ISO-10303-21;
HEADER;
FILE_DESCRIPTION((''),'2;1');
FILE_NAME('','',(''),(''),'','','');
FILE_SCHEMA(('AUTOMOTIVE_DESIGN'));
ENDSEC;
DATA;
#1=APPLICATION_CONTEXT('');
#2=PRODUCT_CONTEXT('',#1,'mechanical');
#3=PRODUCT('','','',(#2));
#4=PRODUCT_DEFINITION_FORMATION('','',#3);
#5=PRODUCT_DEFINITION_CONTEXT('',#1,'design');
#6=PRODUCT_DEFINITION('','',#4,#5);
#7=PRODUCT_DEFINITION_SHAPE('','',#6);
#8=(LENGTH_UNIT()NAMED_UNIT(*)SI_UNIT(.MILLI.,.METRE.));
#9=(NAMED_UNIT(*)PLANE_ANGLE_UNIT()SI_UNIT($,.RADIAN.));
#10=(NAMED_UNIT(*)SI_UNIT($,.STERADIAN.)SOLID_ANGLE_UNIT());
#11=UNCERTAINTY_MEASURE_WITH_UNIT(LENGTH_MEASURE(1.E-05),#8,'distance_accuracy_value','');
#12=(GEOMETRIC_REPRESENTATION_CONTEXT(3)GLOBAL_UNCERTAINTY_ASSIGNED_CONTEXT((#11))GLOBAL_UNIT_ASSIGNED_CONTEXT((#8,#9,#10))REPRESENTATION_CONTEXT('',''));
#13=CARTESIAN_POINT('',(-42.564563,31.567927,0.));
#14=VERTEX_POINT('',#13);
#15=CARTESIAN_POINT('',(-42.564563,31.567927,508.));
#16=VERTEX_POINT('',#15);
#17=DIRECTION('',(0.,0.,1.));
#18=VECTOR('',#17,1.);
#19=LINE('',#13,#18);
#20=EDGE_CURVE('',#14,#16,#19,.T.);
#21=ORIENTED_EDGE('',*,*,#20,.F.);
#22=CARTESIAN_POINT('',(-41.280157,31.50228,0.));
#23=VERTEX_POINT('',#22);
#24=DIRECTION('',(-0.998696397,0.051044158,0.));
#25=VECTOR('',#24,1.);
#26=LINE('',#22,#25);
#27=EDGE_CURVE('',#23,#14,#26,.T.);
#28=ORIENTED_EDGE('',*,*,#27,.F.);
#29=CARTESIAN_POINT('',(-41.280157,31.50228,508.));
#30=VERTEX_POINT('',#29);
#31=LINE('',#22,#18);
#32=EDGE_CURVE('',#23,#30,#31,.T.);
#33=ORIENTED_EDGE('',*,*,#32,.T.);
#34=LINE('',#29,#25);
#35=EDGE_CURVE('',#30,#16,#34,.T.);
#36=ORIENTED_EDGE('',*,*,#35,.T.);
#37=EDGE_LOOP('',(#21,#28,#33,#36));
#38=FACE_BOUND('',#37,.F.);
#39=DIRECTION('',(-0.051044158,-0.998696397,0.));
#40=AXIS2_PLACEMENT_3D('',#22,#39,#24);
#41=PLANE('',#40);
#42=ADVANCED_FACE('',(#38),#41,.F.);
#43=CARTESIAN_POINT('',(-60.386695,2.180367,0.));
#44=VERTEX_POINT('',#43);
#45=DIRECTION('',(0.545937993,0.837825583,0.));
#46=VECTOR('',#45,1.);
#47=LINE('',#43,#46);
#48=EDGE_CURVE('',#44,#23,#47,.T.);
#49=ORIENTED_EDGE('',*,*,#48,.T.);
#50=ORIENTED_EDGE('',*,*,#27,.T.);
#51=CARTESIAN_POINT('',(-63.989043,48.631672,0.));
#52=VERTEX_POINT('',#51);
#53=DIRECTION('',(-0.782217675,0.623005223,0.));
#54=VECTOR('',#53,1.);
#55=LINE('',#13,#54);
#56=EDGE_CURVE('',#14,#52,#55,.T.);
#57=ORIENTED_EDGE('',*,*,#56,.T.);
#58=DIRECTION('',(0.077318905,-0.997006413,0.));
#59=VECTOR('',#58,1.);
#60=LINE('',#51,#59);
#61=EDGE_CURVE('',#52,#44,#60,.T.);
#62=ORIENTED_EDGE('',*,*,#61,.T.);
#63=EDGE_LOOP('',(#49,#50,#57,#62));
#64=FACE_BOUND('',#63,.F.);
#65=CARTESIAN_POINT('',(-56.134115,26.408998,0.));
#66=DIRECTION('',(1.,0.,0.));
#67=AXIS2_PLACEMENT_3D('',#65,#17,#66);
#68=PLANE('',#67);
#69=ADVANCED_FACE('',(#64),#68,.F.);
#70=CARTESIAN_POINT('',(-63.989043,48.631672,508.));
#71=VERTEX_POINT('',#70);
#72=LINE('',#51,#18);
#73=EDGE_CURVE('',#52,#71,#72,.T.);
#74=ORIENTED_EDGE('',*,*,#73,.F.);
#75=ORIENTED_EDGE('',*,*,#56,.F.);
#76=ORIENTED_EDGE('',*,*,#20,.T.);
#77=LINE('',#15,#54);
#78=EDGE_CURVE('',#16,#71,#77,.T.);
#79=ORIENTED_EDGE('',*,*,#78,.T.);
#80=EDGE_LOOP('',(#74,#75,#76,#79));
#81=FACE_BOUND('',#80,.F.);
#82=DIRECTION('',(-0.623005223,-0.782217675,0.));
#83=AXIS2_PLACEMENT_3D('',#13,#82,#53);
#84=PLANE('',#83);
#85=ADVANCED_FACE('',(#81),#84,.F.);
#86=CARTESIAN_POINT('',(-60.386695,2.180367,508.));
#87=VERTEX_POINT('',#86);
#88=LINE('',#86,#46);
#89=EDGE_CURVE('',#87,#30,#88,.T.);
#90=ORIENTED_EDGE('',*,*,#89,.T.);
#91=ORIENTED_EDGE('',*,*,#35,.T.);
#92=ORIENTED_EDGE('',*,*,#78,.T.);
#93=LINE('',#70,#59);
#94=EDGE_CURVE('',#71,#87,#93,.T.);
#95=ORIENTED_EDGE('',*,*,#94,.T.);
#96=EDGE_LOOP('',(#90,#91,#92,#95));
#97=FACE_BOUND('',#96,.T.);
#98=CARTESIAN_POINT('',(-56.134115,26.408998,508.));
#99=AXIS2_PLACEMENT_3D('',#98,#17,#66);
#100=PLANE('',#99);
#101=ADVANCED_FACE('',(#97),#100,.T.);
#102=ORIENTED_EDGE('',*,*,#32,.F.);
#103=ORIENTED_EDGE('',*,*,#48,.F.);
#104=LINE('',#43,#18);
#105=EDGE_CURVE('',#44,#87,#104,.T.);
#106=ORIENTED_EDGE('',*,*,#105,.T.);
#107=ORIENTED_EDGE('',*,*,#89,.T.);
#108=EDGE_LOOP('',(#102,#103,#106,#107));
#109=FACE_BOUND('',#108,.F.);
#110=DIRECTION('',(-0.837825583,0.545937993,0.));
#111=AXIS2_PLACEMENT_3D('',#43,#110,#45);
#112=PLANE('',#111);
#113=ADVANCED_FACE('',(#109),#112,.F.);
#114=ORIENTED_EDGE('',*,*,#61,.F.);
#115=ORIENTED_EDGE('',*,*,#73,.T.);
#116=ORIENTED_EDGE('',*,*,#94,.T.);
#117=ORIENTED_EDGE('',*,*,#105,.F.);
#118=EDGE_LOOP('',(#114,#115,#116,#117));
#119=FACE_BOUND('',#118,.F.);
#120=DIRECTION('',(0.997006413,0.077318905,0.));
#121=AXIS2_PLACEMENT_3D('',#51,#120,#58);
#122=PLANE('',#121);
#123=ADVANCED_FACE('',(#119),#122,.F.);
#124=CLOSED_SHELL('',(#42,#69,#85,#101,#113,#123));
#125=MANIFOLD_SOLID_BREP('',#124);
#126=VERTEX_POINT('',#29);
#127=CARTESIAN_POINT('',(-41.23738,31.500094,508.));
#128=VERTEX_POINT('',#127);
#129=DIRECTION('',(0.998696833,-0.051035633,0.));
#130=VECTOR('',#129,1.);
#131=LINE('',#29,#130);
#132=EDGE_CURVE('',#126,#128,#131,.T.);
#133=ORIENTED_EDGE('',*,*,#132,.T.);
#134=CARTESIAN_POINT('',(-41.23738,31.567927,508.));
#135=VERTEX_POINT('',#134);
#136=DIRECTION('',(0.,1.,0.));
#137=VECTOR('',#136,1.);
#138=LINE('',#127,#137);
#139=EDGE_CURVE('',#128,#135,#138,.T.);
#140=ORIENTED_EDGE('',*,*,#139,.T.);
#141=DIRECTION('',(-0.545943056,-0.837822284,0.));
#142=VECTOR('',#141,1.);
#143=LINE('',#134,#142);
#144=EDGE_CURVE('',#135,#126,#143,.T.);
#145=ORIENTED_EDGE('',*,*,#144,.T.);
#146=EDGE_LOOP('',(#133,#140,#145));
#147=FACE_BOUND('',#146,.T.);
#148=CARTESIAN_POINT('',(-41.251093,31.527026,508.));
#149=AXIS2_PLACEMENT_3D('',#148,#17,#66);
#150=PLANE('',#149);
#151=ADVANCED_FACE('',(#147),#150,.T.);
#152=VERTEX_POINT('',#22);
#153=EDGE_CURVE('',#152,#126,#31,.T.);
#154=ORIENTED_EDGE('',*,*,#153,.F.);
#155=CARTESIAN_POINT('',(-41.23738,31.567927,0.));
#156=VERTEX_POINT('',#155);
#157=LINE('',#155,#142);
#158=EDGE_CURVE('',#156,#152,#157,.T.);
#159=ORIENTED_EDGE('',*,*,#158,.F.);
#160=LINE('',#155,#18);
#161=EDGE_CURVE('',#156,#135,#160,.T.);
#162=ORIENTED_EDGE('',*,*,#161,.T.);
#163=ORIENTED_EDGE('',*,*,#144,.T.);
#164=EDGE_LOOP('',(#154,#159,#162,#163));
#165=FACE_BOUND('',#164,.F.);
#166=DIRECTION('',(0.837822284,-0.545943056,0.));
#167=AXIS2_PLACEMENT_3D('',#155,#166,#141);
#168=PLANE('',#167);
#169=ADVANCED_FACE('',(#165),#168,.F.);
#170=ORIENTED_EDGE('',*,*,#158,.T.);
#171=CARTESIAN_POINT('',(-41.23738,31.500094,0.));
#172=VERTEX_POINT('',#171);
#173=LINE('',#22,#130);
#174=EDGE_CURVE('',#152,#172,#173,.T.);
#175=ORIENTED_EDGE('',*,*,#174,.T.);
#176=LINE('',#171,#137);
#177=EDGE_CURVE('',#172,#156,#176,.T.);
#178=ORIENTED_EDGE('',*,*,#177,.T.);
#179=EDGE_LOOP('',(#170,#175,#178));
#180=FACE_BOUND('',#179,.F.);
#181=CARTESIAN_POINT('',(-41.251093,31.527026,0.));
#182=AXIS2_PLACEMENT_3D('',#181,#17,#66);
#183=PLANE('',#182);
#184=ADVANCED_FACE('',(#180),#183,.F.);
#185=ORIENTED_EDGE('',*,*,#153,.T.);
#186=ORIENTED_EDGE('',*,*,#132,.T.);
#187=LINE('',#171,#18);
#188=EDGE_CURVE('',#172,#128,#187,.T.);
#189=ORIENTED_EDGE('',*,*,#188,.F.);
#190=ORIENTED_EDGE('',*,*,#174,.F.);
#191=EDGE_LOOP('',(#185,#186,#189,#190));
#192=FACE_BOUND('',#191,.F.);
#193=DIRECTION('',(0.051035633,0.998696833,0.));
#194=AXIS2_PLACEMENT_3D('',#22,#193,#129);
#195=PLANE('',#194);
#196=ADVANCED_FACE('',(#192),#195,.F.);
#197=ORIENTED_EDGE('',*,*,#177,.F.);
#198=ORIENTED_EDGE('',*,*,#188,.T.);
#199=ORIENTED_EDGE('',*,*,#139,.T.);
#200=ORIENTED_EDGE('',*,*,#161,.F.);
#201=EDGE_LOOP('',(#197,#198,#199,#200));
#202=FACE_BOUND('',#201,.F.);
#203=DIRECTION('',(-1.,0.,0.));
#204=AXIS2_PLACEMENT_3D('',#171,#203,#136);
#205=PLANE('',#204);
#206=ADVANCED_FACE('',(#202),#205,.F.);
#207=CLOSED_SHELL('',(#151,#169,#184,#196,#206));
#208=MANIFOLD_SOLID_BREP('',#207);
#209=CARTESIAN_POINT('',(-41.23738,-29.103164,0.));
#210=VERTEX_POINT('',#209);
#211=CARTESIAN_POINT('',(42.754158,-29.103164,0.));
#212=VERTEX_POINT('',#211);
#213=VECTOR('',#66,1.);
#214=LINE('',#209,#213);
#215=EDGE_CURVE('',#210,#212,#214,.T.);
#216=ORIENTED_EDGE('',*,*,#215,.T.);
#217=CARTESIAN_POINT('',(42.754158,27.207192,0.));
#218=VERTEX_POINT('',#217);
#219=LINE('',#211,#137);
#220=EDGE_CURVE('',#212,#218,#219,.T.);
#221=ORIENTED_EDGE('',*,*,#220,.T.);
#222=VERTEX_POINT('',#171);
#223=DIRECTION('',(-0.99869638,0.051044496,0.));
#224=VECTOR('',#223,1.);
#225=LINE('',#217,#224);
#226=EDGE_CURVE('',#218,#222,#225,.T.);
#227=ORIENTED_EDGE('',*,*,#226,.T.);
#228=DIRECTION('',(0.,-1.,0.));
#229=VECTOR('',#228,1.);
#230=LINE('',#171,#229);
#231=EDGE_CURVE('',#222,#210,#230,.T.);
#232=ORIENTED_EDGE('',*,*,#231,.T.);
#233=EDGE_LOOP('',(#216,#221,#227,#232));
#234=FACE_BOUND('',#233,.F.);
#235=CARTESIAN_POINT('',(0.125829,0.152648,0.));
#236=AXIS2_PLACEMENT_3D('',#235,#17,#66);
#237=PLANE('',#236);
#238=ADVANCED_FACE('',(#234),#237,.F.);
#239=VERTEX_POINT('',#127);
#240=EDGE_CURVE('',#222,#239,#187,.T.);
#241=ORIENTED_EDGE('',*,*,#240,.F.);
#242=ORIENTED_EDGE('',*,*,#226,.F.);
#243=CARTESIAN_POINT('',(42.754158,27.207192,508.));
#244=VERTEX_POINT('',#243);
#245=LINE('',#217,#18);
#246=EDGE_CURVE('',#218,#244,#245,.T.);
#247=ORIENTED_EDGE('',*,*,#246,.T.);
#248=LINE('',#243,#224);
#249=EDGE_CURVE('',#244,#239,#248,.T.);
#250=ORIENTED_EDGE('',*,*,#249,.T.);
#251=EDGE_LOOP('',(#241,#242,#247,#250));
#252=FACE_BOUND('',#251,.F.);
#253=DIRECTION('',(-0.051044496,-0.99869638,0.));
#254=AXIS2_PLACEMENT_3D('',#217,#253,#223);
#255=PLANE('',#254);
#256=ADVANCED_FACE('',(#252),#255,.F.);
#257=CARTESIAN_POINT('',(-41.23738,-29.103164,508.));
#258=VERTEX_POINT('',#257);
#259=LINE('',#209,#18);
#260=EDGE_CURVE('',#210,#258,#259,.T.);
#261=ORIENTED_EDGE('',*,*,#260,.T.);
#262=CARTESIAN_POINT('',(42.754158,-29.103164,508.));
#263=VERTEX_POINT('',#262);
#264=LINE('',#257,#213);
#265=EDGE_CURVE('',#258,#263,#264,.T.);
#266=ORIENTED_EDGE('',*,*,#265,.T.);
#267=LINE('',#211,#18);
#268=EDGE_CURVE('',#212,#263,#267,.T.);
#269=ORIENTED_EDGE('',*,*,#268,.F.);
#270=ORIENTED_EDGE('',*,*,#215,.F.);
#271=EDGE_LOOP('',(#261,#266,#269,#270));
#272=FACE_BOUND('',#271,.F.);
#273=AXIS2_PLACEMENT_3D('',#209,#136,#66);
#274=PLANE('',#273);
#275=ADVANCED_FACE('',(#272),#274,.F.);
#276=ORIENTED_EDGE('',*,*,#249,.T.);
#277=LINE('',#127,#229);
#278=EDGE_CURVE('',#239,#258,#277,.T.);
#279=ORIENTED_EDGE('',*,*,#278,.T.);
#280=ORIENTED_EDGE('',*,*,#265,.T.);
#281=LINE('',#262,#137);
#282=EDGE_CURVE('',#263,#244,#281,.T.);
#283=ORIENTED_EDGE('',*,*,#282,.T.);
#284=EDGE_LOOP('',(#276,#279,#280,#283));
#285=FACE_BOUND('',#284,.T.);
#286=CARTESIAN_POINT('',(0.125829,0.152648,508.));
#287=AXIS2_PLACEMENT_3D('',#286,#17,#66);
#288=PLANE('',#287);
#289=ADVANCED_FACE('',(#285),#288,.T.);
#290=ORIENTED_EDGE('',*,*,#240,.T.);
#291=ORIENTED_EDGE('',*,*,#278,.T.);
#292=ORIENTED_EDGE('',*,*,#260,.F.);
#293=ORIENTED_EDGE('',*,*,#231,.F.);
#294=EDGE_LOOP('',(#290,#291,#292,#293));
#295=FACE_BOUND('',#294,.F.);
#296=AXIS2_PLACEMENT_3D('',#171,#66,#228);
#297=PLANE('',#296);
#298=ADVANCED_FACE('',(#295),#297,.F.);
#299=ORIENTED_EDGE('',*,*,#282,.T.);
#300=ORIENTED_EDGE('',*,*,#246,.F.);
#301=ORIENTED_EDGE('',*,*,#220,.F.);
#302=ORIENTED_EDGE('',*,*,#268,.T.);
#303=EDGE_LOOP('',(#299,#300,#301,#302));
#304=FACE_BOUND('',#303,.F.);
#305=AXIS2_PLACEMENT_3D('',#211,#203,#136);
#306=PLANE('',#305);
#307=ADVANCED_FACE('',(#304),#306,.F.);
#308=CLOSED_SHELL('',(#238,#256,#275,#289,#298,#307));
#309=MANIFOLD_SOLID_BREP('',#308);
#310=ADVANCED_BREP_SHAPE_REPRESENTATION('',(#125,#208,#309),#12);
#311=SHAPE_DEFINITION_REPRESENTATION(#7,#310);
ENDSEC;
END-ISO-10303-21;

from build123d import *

# Parameters (mm, degrees)
F1_DEPTH = 508


with BuildPart() as f1:
    # F0 (on Top) → F1 (new body)
    with BuildSketch(Plane.XY):
        Polygon((42.754158, 27.207192), (-41.23738, 31.500094), (-41.23738, -29.103164), (42.754158, -29.103164), align=None)
        Polygon((-41.23738, 31.567927), (-41.280157, 31.50228), (-41.23738, 31.500094), align=None)
        Polygon((-41.280157, 31.50228), (-42.564563, 31.567927), (-63.989043, 48.631672), (-60.386695, 2.180367), align=None)
    extrude(amount=F1_DEPTH)


solid = f1.part
